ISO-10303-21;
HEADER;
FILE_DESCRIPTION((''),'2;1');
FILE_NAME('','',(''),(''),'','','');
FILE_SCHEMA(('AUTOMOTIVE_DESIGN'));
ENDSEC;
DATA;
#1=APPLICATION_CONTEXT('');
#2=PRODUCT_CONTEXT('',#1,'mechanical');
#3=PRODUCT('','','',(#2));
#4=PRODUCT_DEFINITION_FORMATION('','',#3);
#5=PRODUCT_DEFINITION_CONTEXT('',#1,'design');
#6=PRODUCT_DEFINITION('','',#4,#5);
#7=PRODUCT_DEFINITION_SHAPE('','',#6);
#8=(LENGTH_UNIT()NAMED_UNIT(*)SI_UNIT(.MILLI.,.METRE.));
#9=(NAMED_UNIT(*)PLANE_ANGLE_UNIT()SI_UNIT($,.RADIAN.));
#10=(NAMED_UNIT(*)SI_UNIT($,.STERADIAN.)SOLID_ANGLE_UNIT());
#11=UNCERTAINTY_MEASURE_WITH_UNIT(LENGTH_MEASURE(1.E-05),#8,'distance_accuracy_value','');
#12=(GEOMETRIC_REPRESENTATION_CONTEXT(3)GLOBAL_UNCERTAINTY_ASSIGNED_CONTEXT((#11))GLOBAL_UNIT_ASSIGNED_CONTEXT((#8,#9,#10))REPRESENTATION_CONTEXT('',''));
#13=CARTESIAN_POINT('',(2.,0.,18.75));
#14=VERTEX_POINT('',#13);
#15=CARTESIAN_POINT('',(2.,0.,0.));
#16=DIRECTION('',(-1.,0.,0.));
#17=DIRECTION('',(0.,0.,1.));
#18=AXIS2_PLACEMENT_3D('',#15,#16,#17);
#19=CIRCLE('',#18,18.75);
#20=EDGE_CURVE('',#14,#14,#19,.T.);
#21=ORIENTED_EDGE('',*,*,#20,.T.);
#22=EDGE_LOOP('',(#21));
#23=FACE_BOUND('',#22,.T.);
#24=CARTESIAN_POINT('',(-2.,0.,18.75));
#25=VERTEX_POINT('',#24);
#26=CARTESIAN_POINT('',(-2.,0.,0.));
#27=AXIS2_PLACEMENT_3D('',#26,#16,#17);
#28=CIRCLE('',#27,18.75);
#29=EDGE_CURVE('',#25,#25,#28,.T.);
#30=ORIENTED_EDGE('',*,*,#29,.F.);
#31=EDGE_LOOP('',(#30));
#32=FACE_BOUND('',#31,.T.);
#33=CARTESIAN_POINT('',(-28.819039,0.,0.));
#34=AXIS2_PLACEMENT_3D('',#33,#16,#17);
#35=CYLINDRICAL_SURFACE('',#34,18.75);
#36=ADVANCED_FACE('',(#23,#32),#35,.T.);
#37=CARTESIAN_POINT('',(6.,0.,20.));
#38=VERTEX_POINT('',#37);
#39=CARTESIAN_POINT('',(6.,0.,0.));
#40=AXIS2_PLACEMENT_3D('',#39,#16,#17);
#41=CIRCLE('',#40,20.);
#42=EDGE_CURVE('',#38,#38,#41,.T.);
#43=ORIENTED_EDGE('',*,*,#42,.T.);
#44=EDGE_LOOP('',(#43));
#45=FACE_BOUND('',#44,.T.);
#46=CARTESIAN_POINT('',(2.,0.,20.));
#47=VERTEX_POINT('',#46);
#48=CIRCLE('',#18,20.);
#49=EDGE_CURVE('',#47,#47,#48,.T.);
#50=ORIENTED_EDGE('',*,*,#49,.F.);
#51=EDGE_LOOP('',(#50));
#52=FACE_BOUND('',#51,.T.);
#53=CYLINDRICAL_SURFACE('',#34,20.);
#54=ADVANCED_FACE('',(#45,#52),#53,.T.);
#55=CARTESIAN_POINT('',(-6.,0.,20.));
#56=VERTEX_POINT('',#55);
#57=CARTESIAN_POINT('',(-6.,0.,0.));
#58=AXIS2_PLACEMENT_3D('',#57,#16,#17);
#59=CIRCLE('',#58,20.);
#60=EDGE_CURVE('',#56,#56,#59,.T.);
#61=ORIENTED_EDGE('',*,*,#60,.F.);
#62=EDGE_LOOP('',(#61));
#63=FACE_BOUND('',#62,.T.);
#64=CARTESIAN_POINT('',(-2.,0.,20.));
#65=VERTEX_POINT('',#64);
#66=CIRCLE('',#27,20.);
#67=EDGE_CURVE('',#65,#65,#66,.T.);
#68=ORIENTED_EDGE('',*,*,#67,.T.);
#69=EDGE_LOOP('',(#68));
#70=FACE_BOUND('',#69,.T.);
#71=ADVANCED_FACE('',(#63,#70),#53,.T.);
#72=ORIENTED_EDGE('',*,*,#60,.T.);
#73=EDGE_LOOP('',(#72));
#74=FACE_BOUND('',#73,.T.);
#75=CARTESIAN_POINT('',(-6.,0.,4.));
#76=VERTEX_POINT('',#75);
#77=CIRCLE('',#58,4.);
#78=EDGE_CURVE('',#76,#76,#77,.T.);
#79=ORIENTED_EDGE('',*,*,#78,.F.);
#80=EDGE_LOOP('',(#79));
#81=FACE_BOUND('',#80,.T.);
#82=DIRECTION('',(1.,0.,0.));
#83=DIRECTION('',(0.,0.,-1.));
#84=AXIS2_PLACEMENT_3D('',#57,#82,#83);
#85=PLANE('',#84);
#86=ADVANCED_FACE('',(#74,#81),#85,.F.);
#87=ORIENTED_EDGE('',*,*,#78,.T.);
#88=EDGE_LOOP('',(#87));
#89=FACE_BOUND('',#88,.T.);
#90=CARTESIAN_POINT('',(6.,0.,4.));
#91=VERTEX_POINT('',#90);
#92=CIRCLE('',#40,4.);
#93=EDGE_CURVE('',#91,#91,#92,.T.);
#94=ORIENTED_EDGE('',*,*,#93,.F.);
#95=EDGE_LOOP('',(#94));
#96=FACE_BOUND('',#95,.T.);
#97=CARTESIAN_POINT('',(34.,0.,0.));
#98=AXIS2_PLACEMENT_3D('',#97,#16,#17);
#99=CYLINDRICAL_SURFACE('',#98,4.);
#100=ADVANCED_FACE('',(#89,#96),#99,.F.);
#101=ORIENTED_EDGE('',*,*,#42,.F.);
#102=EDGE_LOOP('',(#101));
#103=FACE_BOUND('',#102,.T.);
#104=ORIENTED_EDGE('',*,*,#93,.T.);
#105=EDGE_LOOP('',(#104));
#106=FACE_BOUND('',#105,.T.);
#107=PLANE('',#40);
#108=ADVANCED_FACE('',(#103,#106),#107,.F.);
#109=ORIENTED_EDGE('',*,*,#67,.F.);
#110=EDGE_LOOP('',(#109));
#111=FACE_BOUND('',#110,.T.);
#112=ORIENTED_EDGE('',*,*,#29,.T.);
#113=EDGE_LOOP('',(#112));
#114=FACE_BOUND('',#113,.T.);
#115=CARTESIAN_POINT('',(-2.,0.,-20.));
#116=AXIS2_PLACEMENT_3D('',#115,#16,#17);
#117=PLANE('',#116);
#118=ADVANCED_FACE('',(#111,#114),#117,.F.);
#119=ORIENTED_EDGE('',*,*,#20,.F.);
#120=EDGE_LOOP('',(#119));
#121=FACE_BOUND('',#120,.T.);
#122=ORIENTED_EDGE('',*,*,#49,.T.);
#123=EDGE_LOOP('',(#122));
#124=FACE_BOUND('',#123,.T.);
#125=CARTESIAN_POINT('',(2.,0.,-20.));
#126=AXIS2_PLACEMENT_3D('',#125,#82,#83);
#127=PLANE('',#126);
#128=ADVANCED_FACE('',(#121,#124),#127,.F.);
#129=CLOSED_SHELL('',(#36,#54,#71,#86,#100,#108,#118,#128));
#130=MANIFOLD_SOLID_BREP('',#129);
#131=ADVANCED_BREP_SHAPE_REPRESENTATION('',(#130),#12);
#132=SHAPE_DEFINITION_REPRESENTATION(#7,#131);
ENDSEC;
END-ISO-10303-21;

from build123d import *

# Parameters (mm, degrees)
SKETCH2_R          = 4
CUT_EXTRUDE1_DEPTH = 40


with BuildPart() as part:
    # Sketch1 → Revolve1 (revolve)
    with BuildSketch(Plane(origin=(0, 0, 0), x_dir=(1, 0, 0), z_dir=(0, 1, 0)), mode=Mode.PRIVATE) as revolve1_sk:
        Polygon((6, 0), (-6, 0), (-6, 20), (-2, 20), (-2, 18.75), (2, 18.75), (2, 20), (6, 20), align=None)
    revolve(revolve1_sk.sketch.rotate(Axis((-28.819039277, 0, 0), (1, 0, 0)), 180), axis=Axis((-28.819039277, 0, 0), (1, 0, 0)))

    # Sketch2 → Cut-Extrude1 (cut)
    with BuildSketch(Plane.ZY.offset(6)):
        Circle(SKETCH2_R)
    extrude(amount=-CUT_EXTRUDE1_DEPTH, mode=Mode.SUBTRACT)


solid = part.part
